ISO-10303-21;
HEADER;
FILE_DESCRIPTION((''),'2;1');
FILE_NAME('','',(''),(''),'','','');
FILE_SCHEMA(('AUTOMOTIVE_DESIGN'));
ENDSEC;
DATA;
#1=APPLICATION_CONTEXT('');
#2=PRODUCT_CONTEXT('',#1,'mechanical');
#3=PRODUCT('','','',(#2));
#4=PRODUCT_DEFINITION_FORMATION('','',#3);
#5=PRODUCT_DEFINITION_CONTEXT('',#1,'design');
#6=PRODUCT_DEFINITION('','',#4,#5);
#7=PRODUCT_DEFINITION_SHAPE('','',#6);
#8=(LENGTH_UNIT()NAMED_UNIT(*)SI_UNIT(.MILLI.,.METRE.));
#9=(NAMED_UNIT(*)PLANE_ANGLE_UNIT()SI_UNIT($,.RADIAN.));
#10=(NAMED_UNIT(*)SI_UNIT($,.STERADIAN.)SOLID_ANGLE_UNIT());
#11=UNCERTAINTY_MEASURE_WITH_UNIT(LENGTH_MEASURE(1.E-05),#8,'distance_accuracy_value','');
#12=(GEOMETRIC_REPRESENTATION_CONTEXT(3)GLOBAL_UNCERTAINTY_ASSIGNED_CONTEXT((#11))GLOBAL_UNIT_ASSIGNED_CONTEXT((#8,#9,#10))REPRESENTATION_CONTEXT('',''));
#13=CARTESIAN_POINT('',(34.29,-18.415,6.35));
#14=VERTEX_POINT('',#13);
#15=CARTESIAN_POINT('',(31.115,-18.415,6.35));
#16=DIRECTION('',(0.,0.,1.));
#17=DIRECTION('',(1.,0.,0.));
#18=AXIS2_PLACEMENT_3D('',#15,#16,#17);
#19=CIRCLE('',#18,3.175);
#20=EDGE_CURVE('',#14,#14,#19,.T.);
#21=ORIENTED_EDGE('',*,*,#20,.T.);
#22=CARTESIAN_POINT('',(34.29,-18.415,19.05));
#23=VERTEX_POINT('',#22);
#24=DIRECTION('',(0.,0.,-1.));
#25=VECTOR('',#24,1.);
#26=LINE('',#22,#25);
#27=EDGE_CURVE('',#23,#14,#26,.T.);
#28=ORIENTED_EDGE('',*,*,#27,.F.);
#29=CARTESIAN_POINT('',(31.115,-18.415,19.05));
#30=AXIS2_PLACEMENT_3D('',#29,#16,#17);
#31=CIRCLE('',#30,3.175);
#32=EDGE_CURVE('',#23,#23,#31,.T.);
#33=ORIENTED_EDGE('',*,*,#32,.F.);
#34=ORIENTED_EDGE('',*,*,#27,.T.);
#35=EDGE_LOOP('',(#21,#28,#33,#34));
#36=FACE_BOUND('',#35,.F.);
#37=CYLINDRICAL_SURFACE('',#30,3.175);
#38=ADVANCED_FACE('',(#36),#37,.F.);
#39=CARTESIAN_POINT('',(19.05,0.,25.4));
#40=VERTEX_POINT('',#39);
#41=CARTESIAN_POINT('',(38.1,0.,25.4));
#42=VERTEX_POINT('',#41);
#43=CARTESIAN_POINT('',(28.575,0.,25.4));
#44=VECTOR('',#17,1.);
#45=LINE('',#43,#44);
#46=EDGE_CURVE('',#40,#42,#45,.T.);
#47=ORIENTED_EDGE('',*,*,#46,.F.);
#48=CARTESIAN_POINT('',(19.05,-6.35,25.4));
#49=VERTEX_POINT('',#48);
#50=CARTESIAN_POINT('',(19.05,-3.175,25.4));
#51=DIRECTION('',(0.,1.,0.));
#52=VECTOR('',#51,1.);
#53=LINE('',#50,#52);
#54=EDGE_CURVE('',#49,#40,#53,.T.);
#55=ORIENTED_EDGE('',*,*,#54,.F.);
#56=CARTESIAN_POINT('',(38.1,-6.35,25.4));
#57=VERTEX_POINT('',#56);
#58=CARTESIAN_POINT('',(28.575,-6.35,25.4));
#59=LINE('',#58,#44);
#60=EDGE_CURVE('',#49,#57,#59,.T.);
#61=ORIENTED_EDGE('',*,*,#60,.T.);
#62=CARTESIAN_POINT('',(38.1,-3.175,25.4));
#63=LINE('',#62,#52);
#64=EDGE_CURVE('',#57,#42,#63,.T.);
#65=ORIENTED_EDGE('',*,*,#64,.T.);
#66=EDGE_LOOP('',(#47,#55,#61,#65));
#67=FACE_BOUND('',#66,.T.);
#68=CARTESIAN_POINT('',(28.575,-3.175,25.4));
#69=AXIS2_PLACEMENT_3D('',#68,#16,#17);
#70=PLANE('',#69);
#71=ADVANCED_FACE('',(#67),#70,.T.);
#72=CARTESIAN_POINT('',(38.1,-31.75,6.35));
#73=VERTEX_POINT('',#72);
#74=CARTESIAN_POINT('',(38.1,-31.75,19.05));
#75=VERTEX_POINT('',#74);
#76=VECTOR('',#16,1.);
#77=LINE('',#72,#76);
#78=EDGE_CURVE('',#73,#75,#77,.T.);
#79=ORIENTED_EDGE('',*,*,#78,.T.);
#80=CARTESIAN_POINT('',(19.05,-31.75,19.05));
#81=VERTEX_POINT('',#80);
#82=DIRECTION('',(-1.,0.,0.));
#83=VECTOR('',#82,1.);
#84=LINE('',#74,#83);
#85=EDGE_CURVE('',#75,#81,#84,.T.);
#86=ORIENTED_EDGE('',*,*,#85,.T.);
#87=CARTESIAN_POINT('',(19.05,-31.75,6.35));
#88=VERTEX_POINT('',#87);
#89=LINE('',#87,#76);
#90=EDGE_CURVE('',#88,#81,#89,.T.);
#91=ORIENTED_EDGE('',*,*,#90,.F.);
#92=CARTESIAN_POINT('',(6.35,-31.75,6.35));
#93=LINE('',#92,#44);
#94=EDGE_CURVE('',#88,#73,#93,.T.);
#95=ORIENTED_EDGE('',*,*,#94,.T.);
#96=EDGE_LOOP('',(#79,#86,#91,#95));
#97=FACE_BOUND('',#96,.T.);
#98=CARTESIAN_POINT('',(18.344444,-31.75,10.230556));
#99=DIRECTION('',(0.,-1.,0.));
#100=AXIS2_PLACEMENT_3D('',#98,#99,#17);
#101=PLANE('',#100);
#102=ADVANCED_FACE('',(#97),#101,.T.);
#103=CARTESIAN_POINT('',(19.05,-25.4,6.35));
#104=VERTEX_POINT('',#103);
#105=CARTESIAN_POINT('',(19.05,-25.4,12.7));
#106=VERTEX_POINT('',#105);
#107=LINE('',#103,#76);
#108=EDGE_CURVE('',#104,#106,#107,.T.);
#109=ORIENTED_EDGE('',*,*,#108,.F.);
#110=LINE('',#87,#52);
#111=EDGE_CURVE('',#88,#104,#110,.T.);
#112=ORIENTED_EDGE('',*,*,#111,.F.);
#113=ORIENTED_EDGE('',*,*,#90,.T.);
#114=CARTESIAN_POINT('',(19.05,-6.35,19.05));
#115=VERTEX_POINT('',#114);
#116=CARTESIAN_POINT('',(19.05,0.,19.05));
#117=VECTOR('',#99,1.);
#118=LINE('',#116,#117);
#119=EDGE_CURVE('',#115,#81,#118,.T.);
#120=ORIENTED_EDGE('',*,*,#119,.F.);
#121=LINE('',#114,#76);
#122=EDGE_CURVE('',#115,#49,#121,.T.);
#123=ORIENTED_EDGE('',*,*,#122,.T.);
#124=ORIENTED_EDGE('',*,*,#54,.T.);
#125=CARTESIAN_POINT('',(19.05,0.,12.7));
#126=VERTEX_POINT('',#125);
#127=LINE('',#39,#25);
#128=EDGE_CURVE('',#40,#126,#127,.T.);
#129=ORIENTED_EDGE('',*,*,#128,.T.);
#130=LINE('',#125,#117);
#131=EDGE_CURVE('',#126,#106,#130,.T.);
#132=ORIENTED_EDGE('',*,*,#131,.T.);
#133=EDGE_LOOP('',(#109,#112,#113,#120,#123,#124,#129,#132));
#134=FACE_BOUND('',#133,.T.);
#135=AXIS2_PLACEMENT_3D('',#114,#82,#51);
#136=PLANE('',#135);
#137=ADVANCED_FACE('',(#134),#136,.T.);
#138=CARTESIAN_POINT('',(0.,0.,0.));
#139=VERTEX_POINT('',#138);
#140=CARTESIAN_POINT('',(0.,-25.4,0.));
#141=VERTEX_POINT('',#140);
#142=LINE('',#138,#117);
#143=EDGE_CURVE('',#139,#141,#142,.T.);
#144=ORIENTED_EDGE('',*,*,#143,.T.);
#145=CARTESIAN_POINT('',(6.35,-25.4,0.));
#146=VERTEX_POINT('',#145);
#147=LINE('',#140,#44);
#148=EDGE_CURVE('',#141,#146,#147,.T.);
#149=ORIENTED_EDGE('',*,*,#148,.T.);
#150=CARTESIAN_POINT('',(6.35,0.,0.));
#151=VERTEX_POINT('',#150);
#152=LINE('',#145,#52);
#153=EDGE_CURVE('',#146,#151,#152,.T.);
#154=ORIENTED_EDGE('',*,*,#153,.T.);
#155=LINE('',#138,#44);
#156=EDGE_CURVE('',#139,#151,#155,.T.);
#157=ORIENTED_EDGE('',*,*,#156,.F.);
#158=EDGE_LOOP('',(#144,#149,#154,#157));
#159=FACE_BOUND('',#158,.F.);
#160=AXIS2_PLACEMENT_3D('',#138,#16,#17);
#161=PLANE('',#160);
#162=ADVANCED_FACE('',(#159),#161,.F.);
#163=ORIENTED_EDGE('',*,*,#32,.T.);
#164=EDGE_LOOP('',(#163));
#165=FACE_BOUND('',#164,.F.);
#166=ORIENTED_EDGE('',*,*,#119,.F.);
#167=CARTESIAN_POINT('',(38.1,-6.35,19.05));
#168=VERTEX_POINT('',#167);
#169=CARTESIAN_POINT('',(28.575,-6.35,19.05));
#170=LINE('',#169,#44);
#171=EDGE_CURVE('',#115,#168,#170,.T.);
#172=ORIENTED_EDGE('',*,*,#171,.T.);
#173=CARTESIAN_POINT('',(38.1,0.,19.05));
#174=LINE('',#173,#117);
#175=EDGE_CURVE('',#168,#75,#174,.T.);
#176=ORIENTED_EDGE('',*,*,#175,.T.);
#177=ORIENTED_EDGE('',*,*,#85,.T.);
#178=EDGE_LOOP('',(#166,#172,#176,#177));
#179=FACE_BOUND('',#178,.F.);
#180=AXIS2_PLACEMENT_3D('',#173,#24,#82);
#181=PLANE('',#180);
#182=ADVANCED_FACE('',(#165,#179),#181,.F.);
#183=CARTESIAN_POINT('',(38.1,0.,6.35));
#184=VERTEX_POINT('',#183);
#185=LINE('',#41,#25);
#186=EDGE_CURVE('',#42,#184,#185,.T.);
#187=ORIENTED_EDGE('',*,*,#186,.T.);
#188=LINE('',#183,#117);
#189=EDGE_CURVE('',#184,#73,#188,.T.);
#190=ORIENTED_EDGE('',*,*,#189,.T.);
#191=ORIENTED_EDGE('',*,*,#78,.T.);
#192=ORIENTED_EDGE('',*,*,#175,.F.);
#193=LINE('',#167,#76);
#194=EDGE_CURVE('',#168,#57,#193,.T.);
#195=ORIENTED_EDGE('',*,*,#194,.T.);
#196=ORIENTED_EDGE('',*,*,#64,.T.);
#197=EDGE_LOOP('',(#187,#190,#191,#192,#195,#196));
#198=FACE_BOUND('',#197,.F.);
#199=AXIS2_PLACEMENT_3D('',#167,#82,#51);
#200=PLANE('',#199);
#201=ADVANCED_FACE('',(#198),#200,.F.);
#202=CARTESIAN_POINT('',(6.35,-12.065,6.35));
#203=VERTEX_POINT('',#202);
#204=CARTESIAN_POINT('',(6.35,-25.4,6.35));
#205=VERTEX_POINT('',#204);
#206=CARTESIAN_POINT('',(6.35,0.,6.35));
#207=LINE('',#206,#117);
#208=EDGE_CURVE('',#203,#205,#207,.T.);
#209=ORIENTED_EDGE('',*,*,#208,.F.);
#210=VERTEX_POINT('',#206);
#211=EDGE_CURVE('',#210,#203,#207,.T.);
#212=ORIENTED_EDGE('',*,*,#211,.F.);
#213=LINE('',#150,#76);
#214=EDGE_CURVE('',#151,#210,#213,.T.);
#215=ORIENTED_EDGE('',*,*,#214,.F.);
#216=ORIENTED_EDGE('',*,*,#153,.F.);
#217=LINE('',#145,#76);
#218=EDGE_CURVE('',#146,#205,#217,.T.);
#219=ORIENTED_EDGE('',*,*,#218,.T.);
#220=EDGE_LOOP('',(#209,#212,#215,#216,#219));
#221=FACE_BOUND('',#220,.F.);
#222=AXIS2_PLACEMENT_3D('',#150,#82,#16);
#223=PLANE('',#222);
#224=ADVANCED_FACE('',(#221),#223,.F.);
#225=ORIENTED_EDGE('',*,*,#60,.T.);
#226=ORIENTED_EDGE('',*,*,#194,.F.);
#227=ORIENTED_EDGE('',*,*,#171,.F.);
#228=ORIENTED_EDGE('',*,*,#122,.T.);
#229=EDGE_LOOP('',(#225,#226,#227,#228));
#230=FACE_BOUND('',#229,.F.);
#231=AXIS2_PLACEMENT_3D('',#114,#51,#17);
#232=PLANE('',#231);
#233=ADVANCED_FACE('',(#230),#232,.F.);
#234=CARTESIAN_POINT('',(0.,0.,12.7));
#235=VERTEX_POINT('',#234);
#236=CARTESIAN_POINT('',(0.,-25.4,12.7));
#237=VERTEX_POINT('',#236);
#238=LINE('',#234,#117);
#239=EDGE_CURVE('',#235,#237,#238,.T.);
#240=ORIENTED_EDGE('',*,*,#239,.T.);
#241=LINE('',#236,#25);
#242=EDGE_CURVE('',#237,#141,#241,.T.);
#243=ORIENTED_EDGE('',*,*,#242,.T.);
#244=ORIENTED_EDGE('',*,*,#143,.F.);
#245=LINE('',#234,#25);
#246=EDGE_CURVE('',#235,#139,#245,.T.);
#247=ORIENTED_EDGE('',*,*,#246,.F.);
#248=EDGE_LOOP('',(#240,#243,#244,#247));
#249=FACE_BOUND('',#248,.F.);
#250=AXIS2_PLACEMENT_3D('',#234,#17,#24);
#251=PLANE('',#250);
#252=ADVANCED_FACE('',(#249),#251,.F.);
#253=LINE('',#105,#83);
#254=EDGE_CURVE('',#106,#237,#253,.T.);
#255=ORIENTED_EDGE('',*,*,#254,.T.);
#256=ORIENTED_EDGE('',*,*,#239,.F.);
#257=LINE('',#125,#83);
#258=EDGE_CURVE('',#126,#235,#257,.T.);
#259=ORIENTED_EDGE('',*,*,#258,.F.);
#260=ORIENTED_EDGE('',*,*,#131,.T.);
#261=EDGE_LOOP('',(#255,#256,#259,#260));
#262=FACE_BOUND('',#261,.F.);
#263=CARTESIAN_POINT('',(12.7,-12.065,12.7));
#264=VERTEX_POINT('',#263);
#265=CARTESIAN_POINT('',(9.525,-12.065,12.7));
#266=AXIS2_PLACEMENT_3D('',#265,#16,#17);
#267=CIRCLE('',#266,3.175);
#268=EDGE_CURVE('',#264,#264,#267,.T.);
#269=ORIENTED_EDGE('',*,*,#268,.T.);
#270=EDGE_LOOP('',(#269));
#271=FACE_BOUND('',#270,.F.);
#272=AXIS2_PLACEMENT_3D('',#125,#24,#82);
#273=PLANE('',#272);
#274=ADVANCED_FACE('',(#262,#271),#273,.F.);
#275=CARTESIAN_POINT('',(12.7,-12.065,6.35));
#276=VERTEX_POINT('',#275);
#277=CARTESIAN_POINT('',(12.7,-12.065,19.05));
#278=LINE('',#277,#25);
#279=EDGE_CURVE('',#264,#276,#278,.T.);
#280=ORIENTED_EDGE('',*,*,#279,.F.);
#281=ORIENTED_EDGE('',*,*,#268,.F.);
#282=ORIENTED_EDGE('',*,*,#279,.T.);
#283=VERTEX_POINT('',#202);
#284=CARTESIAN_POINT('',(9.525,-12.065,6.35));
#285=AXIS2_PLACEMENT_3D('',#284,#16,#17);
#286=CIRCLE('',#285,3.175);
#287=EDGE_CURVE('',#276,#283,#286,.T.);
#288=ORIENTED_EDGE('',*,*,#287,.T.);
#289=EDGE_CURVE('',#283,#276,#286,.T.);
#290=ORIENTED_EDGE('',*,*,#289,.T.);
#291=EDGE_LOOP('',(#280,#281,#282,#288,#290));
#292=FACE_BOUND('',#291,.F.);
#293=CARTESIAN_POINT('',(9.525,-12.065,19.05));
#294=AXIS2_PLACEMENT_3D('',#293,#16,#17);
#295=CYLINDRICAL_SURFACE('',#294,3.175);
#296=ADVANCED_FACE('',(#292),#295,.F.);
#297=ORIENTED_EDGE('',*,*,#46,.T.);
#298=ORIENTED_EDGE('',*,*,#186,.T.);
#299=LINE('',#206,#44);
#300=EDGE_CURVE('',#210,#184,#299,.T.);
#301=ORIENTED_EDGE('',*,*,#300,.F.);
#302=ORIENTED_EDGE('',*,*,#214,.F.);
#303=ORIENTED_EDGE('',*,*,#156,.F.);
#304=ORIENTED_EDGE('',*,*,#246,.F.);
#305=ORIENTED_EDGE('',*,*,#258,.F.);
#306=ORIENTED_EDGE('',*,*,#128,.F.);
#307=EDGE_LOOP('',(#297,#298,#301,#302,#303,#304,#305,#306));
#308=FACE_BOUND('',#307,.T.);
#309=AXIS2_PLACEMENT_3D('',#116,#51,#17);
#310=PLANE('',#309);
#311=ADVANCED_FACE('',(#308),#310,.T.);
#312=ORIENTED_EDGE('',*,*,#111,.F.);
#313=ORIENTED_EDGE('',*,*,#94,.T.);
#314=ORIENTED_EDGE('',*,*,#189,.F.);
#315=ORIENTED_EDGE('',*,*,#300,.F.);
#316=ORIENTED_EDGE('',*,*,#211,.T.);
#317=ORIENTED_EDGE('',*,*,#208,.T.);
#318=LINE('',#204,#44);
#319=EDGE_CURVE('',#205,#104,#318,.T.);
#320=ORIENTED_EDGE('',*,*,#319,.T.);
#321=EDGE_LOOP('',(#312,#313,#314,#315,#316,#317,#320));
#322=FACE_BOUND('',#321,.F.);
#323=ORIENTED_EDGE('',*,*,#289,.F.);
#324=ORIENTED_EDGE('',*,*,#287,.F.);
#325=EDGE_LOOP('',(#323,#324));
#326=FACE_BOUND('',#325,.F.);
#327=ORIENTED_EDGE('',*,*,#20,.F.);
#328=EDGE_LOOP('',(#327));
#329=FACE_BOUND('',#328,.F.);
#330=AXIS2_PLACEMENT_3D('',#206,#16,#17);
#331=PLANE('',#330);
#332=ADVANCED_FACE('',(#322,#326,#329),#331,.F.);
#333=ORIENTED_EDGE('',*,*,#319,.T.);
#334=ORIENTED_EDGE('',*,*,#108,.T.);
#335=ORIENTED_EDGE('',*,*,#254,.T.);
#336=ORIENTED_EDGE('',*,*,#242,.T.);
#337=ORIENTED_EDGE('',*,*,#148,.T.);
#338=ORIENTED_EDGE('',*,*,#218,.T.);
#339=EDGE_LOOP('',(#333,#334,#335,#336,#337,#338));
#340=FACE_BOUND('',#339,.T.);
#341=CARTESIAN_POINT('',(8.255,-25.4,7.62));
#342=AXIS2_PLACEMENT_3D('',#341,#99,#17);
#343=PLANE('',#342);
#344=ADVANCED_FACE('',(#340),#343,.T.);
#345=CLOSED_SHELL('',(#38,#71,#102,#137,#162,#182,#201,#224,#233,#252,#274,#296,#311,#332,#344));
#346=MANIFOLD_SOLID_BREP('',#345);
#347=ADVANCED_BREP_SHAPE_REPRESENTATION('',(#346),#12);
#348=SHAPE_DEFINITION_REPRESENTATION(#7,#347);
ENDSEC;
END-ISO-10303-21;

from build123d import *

# Parameters (mm, degrees)
F1_DEPTH = 31.75
F3_DEPTH = 6.35
F4_W     = 19.05
F4_H     = 6.35
F5_DEPTH = 6.35
F4_R     = 3.175
F6_DEPTH = 19.051


with BuildPart() as f1:
    # F0 (on Front) → F1 (new body)
    with BuildSketch(Plane.XZ):
        Polygon((0, 12.7), (0, 0), (6.35, 0), (6.35, 6.35), (38.1, 6.35), (38.1, 19.05), (19.05, 19.05), (19.05, 12.7), align=None)
    extrude(amount=F1_DEPTH)

    # F2 (on face) → F3 (cut)
    with BuildSketch(Plane.XZ.offset(31.75)):
        Polygon((19.05, 6.35), (19.05, 12.7), (0, 12.7), (0, 0), (6.35, 0), (6.35, 6.35), align=None)
    extrude(amount=-F3_DEPTH, mode=Mode.SUBTRACT)

    # F4 (on face) → F5 (join)
    with BuildSketch(Plane.XY.offset(19.05)):
        with Locations((28.575, -3.175)):
            Rectangle(F4_W, F4_H)
    extrude(amount=F5_DEPTH)

    # F4 (on face) → F6 (cut, through all)
    with BuildSketch(Plane.XY.offset(19.05)):
        with Locations((31.115, -18.415)):
            Circle(F4_R)
        with Locations((9.525, -12.065)):
            Circle(F4_R)
    extrude(amount=-F6_DEPTH, mode=Mode.SUBTRACT)


solid = f1.part
